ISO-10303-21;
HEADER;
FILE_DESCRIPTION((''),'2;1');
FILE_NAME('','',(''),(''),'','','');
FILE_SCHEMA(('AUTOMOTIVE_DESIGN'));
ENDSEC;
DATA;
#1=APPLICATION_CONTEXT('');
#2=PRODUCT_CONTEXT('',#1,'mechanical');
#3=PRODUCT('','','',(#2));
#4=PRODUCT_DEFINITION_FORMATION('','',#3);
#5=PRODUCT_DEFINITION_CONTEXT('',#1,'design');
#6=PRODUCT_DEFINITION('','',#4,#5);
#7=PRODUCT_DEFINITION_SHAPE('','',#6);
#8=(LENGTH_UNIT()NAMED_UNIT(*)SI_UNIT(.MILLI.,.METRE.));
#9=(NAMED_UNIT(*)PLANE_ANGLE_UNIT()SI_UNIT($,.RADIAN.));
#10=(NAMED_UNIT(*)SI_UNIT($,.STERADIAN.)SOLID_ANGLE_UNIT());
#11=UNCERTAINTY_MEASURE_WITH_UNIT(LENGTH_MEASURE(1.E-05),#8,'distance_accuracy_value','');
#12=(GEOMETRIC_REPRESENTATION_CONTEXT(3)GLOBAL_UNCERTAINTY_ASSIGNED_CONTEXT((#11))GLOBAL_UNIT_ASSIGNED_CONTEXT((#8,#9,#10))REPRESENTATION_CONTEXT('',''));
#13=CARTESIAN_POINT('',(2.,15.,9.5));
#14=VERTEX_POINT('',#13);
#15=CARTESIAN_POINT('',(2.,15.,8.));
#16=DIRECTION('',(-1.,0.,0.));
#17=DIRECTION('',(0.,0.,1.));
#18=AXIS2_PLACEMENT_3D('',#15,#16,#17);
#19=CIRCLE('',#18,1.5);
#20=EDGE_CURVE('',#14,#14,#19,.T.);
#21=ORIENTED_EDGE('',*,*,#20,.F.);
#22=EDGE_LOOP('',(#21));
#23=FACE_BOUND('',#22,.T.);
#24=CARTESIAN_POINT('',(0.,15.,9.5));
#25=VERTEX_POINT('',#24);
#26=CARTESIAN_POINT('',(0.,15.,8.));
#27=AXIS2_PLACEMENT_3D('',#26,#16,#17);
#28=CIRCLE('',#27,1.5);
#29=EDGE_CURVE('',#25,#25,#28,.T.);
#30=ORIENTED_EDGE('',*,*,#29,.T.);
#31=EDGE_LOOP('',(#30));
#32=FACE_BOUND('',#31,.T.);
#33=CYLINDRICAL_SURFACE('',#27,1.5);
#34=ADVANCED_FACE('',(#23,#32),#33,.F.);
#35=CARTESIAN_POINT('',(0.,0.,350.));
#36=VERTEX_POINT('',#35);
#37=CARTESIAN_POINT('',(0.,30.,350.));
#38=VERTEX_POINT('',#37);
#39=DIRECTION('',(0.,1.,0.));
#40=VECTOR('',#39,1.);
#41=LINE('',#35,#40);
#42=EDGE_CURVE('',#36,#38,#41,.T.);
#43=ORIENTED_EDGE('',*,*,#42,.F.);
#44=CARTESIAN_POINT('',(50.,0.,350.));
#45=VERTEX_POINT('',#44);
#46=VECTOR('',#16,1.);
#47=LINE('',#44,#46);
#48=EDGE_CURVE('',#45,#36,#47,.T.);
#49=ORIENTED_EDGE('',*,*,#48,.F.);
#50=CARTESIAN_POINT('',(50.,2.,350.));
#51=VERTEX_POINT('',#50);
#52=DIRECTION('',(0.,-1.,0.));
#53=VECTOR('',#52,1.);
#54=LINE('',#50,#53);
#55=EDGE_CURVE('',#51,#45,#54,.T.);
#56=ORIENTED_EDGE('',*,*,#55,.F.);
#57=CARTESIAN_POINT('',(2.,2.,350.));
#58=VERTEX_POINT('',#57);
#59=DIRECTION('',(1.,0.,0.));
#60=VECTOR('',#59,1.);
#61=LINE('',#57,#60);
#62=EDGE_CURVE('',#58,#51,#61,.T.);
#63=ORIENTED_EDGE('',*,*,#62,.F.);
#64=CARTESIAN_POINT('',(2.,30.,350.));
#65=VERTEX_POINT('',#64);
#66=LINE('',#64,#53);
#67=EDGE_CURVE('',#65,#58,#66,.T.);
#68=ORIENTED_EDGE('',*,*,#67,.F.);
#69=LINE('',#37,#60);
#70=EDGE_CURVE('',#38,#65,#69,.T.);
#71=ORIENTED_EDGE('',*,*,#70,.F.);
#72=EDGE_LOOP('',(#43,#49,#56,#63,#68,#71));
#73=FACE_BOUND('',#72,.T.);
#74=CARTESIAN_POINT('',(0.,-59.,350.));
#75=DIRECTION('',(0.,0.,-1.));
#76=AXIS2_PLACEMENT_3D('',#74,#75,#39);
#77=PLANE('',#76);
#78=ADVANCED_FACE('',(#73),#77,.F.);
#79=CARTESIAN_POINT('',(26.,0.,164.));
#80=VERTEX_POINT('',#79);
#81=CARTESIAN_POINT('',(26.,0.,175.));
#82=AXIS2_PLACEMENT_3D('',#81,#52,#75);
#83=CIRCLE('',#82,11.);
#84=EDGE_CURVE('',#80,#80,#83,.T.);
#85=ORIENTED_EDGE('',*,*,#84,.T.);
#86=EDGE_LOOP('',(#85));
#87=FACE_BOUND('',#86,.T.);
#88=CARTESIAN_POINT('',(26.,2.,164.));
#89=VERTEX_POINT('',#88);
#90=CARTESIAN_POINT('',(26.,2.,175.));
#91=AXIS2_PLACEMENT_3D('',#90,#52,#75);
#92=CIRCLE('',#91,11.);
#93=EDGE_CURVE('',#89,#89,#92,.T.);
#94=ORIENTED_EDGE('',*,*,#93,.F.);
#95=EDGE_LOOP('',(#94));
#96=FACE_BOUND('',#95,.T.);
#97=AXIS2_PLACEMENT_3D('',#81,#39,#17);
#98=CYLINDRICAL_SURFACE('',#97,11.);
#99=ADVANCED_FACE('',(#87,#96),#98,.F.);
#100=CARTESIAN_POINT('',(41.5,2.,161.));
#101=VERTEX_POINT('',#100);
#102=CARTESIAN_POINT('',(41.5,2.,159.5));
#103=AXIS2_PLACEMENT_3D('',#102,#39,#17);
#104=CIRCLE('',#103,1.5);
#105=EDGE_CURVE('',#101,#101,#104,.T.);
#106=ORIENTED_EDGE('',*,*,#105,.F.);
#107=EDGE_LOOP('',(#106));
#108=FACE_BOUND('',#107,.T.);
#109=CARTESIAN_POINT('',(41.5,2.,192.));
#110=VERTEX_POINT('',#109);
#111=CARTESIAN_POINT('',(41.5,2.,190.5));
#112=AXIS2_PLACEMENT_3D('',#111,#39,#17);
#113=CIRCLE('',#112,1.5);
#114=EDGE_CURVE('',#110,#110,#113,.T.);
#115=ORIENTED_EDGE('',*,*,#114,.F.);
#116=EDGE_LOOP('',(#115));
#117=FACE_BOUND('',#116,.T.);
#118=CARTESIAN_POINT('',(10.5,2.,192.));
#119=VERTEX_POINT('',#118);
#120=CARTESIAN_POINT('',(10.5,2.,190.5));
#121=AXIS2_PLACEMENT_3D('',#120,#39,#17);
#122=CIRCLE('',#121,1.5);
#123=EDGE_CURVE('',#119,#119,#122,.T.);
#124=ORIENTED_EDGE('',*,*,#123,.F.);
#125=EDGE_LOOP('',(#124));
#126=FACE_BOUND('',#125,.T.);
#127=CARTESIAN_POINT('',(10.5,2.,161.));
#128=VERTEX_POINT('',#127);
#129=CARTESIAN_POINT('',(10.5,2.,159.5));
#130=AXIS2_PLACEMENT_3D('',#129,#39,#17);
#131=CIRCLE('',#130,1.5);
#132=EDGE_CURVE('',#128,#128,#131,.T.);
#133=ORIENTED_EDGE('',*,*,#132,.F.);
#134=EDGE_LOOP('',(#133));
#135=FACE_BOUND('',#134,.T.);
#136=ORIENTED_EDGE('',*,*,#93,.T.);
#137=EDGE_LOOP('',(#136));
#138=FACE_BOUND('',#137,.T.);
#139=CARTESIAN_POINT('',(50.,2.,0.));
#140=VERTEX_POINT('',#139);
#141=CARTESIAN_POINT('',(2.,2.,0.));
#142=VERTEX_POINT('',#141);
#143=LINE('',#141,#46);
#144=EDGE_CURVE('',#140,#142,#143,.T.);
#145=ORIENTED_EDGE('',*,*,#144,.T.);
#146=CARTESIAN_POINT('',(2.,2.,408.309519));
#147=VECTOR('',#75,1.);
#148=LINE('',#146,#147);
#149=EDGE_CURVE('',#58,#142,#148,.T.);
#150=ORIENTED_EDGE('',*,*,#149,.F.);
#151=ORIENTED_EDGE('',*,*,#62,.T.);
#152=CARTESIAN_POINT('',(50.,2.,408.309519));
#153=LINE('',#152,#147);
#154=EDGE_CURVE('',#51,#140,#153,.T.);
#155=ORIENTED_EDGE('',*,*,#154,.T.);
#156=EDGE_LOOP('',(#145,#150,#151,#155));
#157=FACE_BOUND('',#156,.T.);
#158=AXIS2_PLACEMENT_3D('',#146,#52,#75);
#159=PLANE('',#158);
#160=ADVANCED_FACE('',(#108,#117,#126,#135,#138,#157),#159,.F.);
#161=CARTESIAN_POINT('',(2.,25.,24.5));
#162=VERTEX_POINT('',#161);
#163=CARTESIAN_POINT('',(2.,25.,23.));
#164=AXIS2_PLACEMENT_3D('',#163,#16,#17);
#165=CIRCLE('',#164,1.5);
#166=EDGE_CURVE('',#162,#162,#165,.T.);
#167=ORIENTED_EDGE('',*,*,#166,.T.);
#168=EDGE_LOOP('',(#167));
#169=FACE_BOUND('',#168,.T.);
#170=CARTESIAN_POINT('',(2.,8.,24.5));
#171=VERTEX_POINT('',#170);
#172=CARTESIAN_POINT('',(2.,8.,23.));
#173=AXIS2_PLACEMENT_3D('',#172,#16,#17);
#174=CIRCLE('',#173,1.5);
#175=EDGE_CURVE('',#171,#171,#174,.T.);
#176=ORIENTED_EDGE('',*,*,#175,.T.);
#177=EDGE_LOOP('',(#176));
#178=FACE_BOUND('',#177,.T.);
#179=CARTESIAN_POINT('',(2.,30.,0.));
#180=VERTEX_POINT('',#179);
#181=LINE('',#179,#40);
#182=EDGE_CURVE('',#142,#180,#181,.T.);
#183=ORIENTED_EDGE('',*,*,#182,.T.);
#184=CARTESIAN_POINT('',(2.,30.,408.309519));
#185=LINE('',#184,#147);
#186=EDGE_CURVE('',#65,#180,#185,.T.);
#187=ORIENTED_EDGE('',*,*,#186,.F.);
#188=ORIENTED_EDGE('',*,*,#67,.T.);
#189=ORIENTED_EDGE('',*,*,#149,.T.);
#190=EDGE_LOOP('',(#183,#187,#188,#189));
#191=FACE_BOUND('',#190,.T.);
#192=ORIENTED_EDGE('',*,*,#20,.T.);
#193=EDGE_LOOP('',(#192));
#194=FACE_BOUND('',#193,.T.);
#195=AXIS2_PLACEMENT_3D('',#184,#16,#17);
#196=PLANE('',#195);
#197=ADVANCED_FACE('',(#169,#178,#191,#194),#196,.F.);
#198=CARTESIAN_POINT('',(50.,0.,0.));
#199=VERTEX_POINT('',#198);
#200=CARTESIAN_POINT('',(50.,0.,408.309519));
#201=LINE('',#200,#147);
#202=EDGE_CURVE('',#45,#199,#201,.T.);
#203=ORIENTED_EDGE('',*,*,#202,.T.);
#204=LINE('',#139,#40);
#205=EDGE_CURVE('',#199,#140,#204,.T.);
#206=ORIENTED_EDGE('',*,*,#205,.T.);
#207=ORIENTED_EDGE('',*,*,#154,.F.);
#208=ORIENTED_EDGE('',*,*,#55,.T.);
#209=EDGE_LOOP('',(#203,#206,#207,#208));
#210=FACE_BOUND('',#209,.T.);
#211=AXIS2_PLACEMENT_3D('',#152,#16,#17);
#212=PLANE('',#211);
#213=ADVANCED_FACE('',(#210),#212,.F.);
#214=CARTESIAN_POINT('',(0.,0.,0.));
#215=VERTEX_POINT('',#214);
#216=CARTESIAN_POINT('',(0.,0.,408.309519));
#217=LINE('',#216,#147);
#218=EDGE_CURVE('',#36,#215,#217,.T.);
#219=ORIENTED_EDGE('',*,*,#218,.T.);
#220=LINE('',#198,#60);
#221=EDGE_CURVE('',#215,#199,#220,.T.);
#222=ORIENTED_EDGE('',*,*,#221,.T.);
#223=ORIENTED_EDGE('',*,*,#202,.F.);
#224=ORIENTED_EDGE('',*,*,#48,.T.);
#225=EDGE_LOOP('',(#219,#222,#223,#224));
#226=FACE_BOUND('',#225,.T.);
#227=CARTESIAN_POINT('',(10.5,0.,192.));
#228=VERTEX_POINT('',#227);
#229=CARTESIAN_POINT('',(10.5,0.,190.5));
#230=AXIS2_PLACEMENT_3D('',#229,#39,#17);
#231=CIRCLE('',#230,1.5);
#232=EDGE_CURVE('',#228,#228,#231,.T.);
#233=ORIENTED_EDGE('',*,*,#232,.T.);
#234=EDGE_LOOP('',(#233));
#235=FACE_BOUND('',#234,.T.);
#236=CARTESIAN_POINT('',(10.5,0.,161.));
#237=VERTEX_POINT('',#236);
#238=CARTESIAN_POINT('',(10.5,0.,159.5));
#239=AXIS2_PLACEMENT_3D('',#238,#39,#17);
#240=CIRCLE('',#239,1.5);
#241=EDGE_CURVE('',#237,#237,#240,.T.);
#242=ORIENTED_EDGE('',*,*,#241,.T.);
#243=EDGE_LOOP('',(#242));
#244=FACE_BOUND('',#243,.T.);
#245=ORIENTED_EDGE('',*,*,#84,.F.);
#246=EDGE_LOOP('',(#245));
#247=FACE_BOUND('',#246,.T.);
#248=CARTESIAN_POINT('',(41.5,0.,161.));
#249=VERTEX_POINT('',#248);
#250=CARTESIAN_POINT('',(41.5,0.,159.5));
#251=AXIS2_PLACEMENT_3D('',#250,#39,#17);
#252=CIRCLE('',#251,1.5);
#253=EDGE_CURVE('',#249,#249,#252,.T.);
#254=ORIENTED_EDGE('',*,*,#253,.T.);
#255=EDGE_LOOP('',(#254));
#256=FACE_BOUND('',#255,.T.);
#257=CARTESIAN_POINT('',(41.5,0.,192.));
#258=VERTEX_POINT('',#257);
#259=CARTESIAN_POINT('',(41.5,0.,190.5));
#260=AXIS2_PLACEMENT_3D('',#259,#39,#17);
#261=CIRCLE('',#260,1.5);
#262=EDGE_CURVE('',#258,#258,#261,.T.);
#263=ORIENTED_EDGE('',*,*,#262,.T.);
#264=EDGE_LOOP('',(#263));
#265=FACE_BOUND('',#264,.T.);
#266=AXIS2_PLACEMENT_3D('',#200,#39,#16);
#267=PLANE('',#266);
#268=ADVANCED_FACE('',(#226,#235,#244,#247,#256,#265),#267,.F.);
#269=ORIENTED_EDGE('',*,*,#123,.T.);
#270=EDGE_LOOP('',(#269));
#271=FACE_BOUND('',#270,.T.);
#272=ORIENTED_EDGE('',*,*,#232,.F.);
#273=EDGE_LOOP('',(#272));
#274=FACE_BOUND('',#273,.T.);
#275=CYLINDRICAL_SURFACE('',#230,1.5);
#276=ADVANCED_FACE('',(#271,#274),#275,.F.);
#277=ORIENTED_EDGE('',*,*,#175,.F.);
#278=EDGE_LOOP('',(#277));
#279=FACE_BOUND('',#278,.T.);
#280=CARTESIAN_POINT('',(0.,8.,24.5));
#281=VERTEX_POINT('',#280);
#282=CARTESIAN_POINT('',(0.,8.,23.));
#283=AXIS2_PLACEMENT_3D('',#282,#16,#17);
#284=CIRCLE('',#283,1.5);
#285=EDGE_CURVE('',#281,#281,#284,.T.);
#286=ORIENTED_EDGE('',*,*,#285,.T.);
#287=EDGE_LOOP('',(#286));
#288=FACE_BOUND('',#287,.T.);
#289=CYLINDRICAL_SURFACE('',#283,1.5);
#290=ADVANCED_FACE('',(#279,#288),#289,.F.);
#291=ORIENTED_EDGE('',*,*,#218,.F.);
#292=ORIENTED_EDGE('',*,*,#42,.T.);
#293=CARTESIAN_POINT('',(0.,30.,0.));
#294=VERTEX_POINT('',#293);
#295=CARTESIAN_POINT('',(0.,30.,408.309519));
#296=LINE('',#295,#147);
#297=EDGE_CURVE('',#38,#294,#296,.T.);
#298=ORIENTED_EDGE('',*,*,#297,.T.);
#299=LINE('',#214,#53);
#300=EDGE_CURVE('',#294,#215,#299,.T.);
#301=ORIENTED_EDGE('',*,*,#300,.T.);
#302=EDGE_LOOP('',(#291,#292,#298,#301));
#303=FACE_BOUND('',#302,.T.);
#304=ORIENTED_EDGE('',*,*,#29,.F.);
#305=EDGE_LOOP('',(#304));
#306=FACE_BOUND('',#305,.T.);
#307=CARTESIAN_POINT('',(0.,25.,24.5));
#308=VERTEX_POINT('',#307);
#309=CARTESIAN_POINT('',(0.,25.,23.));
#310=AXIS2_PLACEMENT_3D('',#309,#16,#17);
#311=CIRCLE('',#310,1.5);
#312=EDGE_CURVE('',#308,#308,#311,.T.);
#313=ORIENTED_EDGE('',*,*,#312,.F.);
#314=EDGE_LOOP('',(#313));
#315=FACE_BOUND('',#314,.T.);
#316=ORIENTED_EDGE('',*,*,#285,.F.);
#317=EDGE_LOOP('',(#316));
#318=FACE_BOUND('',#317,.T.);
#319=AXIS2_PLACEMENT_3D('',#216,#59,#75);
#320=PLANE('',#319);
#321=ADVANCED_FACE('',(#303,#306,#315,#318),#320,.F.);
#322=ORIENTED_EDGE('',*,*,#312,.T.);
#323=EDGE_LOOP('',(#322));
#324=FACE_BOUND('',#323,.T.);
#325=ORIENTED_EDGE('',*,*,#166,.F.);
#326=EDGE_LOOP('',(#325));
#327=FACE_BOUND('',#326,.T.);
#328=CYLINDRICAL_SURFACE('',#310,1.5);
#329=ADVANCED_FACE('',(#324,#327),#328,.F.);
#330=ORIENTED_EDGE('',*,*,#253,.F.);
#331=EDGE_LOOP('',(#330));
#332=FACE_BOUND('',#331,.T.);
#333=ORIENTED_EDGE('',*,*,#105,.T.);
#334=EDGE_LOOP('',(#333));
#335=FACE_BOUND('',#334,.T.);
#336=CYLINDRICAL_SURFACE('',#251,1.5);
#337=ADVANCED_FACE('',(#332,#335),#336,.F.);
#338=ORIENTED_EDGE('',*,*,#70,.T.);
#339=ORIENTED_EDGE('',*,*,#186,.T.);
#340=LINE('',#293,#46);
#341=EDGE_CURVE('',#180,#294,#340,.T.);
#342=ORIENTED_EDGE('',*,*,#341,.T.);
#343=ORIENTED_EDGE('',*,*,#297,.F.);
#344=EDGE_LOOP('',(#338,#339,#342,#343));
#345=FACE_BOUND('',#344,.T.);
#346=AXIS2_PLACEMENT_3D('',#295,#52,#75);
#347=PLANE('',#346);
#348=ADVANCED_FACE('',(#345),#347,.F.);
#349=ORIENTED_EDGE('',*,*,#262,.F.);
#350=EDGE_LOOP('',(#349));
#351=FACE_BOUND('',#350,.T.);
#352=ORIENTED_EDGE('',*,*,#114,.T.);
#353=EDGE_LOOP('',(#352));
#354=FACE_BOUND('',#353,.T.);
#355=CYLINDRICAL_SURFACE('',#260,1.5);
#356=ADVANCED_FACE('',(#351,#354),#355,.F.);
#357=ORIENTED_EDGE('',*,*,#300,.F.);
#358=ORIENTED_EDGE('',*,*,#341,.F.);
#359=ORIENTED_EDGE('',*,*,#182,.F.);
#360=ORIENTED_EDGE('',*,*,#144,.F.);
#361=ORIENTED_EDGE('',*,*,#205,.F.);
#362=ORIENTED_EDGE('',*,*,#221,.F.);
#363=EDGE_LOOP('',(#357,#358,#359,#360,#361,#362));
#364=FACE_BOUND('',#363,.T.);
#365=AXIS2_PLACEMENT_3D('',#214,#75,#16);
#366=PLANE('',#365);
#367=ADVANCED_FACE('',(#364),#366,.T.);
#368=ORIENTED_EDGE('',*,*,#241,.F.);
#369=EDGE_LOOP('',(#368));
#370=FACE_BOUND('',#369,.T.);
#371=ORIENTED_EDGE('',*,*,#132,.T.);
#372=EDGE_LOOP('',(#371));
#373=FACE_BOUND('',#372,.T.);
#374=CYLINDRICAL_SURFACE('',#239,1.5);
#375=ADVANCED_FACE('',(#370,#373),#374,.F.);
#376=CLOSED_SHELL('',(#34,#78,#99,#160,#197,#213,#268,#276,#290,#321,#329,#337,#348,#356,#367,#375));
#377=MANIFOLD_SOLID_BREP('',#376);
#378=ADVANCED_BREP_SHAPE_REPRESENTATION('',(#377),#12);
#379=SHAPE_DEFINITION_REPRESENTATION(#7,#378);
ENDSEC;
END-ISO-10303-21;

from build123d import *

# Parameters (mm, degrees)
BOSS_EXTRUDE1_DEPTH      = 350
SKETCH7_R                = 10.999999996
CUT_EXTRUDE1_DEPTH       = 355.660400947
SKETCH8_R                = 1.499999996
CUT_EXTRUDE2_DEPTH       = 355.660400947
F_3_0_3_DIAMETER_HOLE1_D = 3


with BuildPart() as part:
    # Sketch1 → Boss-Extrude1 (new body)
    with BuildSketch(Plane.XY):
        Polygon((0, 0), (0, 30), (2, 30), (2, 2), (50, 2), (50, 0), align=None)
    extrude(amount=BOSS_EXTRUDE1_DEPTH)

    # Sketch7 → Cut-Extrude1 (cut, through all)
    with BuildSketch(Plane(origin=(0, 2, 0), x_dir=(1, 0, 0), z_dir=(0, 1, 0))):
        with Locations(Location((26, -175, 0), (0, 0, 90))):
            Circle(SKETCH7_R)
    extrude(amount=-CUT_EXTRUDE1_DEPTH, mode=Mode.SUBTRACT)

    # Sketch8 → Cut-Extrude2 (cut, through all)
    with BuildSketch(Plane(origin=(0, 2, 0), x_dir=(1, 0, 0), z_dir=(0, 1, 0))):
        with Locations(Location((41.5, -190.5, 0), (0, 0, 270))):
            Circle(SKETCH8_R)
        with Locations(Location((41.5, -159.5, 0), (0, 0, 270))):
            Circle(SKETCH8_R)
        with Locations(Location((10.5, -190.5, 0), (0, 0, 270))):
            Circle(SKETCH8_R)
        with Locations(Location((10.5, -159.5, 0), (0, 0, 270))):
            Circle(SKETCH8_R)
    extrude(amount=-CUT_EXTRUDE2_DEPTH, mode=Mode.SUBTRACT)

    # Ø3.0 (3) Diameter Hole1 (through all)
    with Locations(Plane(origin=(0, 182.32004832, 128.861996081), x_dir=(0, 0, -1), z_dir=(-1, 0, 0))):
        with Locations((105.861996081, 174.32004832), (105.861996081, 157.32004832), (120.861996081, 167.32004832)):
            Hole(F_3_0_3_DIAMETER_HOLE1_D / 2)


solid = part.part
